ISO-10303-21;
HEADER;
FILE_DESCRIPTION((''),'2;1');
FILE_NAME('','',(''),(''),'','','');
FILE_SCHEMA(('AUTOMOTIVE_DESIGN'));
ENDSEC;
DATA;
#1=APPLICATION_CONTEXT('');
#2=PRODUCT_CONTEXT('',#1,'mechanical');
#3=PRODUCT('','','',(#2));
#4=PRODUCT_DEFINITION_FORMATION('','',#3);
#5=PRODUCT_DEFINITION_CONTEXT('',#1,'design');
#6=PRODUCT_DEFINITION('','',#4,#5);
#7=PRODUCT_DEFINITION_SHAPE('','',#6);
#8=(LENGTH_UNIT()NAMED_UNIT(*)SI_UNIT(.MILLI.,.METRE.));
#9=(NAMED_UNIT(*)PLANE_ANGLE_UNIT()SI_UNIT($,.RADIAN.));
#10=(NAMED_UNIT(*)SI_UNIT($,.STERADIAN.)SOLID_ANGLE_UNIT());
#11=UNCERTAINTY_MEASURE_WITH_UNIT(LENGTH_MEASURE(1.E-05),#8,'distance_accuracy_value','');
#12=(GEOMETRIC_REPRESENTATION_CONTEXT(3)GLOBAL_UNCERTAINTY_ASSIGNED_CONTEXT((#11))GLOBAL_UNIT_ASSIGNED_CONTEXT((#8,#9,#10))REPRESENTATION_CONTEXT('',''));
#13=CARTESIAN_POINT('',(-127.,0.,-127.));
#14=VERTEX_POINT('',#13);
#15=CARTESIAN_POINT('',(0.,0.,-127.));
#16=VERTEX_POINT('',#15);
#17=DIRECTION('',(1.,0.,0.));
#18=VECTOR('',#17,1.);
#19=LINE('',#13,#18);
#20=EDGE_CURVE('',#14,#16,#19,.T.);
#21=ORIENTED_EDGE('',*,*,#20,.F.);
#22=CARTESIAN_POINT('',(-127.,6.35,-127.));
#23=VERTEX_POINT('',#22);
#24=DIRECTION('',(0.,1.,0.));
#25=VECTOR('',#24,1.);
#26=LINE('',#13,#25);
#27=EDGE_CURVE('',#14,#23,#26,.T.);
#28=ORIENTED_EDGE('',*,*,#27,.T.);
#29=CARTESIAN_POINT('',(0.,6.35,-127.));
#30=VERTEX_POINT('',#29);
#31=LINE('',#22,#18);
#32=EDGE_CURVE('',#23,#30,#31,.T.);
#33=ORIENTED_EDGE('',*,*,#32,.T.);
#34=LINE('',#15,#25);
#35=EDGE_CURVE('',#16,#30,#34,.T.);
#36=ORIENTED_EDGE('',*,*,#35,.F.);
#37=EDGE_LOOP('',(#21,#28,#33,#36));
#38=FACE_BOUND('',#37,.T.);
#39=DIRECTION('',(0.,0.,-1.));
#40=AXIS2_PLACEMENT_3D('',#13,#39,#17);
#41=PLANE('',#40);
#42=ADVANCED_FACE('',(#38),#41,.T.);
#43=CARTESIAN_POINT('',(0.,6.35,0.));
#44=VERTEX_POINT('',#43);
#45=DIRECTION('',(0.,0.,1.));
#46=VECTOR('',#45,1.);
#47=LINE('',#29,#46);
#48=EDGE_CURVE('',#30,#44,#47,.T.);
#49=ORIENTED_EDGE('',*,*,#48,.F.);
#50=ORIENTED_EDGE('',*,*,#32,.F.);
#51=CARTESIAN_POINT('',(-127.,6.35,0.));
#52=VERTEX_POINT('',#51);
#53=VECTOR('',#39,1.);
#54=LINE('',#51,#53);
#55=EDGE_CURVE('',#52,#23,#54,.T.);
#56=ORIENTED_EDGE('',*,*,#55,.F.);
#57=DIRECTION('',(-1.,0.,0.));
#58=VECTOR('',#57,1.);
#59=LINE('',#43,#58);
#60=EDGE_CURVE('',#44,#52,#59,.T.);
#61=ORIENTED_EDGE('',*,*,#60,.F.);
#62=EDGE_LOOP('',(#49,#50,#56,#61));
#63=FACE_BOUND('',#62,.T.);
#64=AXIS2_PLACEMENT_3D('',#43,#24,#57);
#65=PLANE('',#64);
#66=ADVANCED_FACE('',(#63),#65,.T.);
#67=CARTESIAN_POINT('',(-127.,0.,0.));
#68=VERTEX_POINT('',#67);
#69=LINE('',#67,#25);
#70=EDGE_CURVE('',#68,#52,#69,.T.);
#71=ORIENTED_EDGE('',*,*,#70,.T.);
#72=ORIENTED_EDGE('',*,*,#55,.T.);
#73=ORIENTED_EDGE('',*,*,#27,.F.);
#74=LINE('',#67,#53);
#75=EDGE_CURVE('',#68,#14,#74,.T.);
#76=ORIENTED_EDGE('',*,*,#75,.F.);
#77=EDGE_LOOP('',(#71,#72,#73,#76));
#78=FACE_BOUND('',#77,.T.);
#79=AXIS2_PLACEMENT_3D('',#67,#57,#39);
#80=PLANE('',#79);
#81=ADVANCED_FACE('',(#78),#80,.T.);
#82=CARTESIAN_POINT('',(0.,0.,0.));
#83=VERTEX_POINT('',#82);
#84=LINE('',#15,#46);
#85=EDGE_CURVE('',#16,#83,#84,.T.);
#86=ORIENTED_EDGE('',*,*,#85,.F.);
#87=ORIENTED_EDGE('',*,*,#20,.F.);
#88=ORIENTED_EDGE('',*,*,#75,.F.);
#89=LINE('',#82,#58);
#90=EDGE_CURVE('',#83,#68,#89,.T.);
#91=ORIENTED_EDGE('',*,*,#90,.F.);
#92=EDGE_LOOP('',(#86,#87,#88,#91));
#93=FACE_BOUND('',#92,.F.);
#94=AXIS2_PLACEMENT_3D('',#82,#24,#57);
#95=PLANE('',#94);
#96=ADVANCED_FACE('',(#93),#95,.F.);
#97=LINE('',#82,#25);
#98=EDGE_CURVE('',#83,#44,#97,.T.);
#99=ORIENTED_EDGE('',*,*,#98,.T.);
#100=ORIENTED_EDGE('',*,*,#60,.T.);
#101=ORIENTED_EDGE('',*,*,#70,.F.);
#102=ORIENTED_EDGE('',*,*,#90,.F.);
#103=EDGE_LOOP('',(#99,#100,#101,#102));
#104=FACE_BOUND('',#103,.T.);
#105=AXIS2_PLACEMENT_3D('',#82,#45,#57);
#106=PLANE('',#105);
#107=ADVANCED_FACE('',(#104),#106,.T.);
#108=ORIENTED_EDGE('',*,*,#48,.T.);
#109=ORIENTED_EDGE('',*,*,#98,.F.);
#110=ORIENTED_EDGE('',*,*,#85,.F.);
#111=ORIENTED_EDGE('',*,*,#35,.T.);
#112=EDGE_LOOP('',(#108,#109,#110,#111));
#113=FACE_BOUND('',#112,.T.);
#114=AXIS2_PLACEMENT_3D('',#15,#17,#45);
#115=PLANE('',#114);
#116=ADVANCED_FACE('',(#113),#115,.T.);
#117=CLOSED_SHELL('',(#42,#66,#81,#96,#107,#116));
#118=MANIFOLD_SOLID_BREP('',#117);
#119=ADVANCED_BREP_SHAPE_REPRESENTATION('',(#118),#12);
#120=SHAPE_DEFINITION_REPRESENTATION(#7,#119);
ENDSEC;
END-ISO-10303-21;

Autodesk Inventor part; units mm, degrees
ref_plane "YZ Plane" through (0, 0, 0) normal (1, 0, 0) x (0, 1, 0)
ref_plane "XZ Plane" through (0, 0, 0) normal (0, 1, 0) x (-1, 0, 0)
ref_plane "XY Plane" through (0, 0, 0) normal (0, 0, 1) x (1, 0, 0)
sketch "Sketch1" plane through (0, 0, 0) normal (0, 1, 0) x (-1, 0, 0)
  line L0 (0, 0) -> (127, 0)
  line L1 (127, 0) -> (127, -127)
  line L2 (127, -127) -> (0, -127)
  line L3 (0, -127) -> (0, 0)
  dimension "d0" = 127
  dimension "d1" = 127
extrude "Extrusion1" add sketch "Sketch1" along normal blind 6.35
properties part number "base plate" material "PBT Plastic"
